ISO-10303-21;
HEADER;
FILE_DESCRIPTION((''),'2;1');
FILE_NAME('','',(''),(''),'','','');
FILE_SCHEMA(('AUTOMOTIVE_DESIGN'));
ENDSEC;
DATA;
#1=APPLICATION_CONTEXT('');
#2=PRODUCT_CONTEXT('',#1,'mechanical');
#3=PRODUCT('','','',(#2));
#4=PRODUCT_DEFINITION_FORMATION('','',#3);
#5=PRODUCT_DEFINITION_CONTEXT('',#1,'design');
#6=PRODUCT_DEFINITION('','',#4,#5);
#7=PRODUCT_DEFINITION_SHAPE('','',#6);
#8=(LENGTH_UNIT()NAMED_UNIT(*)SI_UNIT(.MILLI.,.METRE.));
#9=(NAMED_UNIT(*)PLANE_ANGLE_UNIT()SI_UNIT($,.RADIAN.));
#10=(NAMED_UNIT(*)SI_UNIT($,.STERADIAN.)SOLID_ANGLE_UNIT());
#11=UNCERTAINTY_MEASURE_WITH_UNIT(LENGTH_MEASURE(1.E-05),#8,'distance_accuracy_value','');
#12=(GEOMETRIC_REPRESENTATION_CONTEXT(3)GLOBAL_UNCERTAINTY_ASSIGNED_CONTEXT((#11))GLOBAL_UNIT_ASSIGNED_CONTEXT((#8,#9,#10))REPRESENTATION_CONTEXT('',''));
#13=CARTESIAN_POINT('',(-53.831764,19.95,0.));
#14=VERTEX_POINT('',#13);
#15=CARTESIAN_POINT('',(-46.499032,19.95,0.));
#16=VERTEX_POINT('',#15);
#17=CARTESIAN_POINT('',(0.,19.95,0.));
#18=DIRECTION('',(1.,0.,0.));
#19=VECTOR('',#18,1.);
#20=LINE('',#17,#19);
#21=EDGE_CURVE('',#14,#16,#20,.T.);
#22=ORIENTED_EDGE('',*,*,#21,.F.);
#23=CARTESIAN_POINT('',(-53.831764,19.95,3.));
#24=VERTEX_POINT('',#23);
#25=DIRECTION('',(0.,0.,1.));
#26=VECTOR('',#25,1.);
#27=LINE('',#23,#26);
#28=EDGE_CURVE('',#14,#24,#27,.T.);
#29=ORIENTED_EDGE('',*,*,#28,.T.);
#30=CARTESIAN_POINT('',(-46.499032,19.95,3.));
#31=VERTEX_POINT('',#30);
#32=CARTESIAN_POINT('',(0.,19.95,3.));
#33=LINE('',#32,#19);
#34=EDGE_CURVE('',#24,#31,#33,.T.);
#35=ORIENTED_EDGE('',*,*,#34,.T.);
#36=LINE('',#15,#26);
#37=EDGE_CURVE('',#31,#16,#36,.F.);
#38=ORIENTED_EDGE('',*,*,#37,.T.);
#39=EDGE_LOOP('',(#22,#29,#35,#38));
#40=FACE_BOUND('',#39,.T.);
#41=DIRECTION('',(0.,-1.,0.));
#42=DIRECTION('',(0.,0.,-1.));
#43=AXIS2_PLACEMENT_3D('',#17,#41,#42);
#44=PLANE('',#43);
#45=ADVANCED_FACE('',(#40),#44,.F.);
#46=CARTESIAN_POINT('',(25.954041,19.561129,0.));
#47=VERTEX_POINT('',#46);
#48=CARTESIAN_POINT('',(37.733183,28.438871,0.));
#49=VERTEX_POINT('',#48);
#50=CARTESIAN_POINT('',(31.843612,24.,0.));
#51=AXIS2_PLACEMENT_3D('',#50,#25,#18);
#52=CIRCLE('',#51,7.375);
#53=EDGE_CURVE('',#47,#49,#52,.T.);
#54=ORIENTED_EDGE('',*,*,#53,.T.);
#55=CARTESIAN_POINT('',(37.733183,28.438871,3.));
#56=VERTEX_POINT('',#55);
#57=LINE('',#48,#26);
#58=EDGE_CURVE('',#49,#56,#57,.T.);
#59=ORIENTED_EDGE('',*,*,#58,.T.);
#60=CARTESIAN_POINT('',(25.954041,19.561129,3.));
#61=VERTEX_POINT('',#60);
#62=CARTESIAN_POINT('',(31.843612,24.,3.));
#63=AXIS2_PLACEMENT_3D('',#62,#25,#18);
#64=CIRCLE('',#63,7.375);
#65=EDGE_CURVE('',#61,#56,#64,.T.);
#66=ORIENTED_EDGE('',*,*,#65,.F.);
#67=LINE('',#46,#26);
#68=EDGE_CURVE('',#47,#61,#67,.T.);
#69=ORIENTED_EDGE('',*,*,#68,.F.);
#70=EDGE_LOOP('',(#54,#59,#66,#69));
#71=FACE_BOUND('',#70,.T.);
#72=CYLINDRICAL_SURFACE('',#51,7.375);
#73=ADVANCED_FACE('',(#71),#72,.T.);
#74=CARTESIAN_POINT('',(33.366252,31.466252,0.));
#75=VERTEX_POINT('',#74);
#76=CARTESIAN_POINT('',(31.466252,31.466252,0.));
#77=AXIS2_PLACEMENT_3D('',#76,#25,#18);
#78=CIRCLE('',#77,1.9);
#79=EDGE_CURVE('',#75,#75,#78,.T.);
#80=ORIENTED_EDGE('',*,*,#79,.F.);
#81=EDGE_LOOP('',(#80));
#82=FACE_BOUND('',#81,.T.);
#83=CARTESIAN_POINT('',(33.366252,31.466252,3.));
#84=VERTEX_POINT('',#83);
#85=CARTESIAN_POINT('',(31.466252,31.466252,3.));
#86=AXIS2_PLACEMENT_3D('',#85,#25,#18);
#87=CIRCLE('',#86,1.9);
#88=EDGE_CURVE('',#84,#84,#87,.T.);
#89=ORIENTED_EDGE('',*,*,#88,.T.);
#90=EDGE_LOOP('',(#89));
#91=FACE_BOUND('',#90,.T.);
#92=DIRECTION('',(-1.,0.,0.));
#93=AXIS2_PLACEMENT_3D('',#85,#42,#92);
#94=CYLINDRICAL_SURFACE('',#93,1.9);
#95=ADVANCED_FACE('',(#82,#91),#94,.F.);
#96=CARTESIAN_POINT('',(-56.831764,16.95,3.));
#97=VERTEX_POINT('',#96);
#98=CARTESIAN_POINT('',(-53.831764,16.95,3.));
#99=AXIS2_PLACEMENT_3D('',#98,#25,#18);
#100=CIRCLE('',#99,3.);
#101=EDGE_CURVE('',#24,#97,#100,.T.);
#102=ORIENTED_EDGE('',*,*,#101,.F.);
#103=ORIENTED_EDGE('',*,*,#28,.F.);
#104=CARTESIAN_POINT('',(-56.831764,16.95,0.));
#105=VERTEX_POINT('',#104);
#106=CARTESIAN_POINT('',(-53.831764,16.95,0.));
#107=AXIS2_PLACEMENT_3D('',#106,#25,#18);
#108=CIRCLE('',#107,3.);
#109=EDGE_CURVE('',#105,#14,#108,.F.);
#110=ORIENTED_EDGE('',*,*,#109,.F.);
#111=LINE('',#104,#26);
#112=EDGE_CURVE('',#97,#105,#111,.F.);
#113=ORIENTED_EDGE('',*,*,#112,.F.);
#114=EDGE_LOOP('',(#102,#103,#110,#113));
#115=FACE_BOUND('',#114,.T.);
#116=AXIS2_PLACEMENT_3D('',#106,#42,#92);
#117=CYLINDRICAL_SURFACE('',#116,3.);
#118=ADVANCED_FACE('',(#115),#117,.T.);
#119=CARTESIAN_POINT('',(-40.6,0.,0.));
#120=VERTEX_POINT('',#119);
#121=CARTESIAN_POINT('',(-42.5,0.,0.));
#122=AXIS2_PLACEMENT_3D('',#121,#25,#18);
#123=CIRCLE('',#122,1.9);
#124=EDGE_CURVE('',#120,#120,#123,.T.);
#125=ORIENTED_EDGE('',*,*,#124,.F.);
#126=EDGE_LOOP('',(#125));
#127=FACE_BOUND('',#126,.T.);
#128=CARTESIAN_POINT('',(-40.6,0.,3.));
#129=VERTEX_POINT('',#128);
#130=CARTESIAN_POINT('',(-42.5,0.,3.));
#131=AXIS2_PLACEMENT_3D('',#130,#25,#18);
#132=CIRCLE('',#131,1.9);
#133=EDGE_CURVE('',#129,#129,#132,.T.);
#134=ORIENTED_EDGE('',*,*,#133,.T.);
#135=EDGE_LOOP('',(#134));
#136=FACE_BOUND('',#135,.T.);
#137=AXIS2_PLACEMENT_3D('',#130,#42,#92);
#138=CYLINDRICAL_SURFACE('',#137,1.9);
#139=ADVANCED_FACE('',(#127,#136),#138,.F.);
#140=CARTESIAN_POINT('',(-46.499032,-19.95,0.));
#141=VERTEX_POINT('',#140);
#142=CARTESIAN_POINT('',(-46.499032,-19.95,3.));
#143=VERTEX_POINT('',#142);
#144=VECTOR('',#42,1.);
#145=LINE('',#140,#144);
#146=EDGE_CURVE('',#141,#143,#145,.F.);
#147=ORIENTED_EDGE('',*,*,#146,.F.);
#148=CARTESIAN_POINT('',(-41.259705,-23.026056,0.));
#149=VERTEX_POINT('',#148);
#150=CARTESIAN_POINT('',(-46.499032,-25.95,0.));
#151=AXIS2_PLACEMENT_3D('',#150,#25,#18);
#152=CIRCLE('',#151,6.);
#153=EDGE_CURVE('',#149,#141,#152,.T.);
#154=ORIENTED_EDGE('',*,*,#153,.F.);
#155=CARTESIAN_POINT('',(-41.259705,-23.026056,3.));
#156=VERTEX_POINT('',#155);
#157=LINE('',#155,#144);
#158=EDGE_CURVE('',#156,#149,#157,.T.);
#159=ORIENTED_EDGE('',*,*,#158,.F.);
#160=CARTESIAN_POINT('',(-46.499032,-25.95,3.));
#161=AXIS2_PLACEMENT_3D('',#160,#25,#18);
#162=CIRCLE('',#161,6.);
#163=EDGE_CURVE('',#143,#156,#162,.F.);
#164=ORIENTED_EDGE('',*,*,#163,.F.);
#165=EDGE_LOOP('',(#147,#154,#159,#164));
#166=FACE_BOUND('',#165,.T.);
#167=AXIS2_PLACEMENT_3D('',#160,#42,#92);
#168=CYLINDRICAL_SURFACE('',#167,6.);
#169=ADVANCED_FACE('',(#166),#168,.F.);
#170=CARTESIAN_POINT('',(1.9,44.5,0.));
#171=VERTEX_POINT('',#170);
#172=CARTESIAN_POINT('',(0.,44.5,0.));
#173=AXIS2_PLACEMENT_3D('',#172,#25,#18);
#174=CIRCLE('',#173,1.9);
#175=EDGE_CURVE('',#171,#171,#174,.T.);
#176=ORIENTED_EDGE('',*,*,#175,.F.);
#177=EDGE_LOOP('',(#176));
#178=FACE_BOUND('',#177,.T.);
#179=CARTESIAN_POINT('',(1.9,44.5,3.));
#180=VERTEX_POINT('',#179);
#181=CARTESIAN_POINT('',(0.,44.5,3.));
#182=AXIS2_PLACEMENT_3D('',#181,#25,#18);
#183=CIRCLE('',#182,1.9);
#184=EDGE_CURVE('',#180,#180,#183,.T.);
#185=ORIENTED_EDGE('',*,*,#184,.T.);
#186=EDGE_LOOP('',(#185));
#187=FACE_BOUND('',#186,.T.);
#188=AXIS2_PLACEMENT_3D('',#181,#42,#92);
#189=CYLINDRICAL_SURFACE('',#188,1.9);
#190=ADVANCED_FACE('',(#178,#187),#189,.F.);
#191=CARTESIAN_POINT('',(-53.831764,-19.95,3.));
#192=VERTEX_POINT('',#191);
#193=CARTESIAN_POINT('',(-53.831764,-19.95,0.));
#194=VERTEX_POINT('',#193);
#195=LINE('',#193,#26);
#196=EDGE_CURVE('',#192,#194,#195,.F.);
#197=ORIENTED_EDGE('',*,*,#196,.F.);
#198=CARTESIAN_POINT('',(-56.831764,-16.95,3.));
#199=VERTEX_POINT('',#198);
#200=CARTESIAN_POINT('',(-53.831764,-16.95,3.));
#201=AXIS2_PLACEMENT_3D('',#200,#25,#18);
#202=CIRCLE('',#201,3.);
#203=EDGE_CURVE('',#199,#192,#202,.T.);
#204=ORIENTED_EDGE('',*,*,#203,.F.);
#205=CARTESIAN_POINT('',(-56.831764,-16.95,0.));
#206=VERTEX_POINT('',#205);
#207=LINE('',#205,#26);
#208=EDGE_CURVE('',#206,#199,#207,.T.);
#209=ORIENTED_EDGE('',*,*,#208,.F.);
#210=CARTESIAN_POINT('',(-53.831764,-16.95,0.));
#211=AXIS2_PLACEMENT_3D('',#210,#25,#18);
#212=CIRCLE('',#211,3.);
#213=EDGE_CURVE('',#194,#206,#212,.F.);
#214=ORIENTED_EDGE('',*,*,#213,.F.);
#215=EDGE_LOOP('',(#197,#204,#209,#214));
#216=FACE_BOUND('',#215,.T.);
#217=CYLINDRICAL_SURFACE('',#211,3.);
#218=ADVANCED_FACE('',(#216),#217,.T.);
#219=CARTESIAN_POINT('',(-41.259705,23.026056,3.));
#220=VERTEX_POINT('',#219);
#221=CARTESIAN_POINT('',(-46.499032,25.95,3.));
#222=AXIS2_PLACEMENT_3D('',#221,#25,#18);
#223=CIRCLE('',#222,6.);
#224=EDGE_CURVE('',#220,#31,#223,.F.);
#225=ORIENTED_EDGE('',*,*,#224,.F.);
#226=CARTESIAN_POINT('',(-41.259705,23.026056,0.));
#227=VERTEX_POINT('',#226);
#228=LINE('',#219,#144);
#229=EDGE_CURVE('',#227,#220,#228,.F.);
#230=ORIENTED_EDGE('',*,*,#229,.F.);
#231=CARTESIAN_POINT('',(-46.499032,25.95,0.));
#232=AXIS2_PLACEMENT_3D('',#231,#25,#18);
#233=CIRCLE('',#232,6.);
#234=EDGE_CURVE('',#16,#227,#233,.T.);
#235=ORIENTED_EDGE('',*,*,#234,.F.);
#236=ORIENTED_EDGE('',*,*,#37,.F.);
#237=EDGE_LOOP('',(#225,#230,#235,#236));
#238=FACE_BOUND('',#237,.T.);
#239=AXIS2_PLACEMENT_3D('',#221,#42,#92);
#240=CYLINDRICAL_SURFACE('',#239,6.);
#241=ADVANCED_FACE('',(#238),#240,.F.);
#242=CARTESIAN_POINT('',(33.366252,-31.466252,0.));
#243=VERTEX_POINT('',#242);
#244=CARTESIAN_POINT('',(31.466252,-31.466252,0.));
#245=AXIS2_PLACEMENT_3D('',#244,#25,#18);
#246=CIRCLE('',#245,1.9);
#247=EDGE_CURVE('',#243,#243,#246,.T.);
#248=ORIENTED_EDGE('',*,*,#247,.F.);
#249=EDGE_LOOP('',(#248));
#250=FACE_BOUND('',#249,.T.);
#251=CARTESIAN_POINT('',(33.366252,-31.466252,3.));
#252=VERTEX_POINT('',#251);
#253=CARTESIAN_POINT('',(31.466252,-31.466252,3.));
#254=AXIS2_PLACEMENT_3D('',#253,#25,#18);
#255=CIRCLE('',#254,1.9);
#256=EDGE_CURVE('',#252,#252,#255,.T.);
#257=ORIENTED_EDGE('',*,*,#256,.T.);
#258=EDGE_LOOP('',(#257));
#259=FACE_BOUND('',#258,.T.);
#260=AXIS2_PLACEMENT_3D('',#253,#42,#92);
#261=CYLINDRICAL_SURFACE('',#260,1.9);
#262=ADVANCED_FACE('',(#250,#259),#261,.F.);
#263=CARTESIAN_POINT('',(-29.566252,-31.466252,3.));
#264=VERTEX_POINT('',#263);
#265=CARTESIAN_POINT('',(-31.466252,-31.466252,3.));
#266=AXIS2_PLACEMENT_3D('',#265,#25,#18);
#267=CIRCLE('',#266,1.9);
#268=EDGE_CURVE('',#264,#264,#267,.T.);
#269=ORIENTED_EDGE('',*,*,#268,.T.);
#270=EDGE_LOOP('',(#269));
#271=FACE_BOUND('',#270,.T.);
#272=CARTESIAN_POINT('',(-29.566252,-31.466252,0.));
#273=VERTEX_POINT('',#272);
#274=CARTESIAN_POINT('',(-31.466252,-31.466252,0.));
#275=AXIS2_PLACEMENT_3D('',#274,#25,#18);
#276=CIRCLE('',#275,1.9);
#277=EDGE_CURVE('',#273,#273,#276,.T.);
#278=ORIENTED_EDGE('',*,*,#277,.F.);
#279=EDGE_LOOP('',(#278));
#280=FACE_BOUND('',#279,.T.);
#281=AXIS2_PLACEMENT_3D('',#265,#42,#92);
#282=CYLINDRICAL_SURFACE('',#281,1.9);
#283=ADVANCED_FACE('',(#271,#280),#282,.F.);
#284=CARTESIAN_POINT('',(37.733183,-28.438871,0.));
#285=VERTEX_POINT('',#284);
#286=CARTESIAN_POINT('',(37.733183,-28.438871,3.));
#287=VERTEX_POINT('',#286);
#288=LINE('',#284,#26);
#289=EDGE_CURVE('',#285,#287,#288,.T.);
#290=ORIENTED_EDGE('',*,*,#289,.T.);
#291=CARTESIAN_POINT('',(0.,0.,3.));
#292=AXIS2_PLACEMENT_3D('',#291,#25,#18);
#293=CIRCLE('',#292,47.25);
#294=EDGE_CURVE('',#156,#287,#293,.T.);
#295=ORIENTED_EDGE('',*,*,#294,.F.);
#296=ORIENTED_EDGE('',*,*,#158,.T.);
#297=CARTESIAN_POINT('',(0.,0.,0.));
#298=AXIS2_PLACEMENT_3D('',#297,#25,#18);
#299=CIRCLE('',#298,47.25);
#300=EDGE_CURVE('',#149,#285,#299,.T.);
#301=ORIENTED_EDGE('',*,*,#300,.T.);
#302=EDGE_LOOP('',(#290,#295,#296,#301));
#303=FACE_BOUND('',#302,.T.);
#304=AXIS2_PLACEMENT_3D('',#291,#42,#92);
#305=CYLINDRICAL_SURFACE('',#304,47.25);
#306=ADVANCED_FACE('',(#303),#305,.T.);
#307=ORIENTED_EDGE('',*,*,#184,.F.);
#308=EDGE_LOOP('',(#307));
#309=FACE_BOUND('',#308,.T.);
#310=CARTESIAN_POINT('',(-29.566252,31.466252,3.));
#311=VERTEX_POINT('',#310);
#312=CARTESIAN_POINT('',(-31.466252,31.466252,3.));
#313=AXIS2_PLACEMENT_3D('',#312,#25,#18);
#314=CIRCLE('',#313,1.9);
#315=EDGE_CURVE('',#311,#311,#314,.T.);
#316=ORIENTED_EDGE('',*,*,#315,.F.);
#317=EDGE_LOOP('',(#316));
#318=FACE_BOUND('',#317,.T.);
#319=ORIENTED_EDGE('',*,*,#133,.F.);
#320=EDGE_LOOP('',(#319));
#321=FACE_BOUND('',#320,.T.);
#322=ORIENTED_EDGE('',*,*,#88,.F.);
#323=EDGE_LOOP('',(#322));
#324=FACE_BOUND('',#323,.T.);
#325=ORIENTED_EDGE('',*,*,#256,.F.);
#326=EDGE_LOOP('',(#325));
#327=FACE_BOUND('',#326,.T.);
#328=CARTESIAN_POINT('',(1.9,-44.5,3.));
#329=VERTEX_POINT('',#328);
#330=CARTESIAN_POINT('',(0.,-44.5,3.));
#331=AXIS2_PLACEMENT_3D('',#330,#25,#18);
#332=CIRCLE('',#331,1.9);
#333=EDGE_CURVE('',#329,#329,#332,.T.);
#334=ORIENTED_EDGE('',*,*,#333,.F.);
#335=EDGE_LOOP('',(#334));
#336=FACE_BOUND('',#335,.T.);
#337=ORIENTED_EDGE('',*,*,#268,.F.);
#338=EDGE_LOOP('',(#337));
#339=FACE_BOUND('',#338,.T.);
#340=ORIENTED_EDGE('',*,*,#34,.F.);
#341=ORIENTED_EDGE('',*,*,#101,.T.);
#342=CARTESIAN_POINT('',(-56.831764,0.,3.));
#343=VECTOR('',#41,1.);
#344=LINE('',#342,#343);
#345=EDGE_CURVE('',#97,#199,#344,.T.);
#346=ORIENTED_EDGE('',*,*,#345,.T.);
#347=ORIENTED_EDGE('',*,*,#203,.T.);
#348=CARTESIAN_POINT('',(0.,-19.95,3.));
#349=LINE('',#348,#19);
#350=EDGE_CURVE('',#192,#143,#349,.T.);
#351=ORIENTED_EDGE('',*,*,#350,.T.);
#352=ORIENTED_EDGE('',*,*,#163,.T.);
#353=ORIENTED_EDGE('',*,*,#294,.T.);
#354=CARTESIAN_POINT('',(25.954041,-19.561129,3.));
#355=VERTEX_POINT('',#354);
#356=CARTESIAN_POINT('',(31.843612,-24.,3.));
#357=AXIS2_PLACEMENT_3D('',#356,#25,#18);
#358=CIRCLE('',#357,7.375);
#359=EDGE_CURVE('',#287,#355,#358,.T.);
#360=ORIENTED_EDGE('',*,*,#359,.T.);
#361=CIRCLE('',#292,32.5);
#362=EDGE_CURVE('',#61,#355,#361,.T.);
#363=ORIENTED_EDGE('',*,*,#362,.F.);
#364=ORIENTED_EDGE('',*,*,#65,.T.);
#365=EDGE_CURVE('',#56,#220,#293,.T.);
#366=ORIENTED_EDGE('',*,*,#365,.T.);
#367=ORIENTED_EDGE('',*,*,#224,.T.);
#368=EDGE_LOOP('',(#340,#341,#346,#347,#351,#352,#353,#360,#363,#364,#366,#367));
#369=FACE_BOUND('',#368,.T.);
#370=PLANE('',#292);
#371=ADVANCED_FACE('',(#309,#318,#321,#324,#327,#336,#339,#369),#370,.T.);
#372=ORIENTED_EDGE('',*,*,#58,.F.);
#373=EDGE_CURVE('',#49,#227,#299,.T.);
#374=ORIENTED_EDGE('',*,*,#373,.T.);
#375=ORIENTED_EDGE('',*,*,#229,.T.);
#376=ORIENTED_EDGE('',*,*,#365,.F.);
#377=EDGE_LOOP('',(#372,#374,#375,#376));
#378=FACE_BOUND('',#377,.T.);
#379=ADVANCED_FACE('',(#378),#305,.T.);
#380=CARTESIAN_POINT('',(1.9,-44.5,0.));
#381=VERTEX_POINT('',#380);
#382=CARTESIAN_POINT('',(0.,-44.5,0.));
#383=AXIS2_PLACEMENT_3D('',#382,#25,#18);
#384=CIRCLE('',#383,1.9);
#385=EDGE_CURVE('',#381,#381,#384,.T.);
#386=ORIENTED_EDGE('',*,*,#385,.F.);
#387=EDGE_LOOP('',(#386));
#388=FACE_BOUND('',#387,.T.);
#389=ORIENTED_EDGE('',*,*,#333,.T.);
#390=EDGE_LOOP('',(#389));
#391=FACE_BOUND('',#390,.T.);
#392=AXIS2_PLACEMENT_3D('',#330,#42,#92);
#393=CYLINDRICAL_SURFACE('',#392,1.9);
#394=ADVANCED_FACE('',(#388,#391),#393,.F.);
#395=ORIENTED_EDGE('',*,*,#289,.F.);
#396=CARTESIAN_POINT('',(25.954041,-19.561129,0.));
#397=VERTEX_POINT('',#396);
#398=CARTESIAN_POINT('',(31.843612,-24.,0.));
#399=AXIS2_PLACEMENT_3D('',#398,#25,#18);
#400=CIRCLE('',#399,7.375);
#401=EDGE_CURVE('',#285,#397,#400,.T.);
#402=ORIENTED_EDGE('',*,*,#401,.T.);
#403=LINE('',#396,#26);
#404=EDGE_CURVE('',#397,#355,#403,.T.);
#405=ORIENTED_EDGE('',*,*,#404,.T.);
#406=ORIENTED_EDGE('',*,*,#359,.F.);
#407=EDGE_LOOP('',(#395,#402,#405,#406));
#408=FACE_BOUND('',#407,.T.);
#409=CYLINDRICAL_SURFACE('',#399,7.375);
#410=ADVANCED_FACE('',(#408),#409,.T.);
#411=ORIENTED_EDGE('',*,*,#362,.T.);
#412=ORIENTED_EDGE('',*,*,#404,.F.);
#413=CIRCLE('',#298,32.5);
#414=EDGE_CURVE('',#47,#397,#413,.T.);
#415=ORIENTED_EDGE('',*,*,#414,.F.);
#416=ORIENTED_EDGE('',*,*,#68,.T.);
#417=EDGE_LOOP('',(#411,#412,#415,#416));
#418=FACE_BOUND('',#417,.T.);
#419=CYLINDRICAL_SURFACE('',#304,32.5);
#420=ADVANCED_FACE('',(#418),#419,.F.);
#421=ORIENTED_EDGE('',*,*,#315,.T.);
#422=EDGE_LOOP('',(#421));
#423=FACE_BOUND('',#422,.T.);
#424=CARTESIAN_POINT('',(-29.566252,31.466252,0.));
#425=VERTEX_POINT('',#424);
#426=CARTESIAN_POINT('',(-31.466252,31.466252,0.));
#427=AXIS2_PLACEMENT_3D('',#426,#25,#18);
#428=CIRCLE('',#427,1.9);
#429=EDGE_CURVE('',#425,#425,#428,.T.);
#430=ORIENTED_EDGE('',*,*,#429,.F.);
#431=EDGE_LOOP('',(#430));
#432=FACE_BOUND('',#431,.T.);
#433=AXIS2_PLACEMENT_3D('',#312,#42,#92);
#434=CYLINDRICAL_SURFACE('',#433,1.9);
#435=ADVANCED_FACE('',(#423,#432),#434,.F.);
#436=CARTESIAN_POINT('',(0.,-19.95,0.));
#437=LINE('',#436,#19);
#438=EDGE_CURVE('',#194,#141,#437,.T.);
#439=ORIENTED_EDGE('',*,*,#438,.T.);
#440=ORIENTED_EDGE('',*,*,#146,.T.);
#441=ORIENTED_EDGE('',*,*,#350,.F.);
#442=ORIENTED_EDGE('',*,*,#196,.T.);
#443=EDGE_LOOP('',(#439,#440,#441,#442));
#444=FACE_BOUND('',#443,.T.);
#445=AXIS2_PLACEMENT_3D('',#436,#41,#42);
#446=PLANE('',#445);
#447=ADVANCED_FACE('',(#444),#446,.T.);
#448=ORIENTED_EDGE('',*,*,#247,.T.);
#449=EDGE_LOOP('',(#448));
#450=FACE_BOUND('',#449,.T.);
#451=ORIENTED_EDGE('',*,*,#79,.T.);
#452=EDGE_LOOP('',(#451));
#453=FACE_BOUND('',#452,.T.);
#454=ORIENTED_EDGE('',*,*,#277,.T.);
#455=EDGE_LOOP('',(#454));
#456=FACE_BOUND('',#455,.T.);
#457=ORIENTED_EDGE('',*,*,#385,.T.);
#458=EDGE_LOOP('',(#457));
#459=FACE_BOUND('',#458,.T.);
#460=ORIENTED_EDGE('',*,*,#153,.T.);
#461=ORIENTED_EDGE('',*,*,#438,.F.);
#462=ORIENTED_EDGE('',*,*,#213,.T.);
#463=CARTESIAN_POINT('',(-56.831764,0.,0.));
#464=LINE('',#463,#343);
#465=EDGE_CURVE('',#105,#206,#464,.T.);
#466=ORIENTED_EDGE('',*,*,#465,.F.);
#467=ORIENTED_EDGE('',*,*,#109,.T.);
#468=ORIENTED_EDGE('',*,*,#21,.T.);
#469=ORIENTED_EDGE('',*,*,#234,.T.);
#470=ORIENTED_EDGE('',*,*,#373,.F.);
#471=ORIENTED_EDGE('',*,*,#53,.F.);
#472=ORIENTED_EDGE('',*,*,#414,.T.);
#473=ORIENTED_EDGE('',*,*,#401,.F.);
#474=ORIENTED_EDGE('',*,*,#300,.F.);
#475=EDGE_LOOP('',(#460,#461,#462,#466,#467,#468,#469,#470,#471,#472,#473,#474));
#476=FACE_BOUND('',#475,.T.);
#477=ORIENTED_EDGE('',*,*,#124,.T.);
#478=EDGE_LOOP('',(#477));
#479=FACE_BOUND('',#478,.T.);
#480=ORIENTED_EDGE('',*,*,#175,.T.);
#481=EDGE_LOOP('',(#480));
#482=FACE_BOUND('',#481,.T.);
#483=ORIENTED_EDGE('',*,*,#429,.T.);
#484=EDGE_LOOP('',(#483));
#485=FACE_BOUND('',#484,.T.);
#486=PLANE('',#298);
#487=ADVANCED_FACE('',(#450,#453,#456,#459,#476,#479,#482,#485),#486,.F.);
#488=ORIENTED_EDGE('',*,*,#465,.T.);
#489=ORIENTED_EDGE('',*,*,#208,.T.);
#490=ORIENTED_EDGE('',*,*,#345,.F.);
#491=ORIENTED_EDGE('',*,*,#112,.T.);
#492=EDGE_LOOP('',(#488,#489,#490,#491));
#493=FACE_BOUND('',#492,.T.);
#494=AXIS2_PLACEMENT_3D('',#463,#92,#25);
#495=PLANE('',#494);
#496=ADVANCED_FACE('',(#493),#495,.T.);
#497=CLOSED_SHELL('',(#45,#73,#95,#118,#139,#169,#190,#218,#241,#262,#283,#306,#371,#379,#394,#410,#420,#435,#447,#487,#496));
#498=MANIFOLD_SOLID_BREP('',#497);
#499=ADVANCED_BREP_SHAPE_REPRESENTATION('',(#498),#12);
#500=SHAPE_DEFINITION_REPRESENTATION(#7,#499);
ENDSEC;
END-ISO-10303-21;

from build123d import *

# Parameters (mm, degrees)
SKETCH_1_R          = 47.25
SKETCH_1_R_2        = 1.9
SKETCH_1_R_3        = 32.5
EXTRUDE_1_DEPTH     = 3
CUT_EXTRUDE_START   = -3
CUT_EXTRUDE_1_DEPTH = 3
EXTRUDE_2_DEPTH     = 3
FILLET_1_R          = 3
FILLET_2_R          = 6


with BuildPart() as part:
    # 草图1 → 凸台-拉伸1 (new body)
    with BuildSketch(Plane.XY):
        Circle(SKETCH_1_R)
        with Locations((-31.466251763, -31.466251763)):
            Circle(SKETCH_1_R_2, mode=Mode.SUBTRACT)
        with Locations((-42.5, 0)):
            Circle(SKETCH_1_R_2, mode=Mode.SUBTRACT)
        Circle(SKETCH_1_R_3, mode=Mode.SUBTRACT)
        with Locations((0, -44.5)):
            Circle(SKETCH_1_R_2, mode=Mode.SUBTRACT)
        with Locations((31.466251763, -31.466251763)):
            Circle(SKETCH_1_R_2, mode=Mode.SUBTRACT)
        with Locations((-31.466251763, 31.466251763)):
            Circle(SKETCH_1_R_2, mode=Mode.SUBTRACT)
        with Locations((0, 44.5)):
            Circle(SKETCH_1_R_2, mode=Mode.SUBTRACT)
        with Locations((42.5, 0)):
            Circle(SKETCH_1_R_2, mode=Mode.SUBTRACT)
        with Locations((31.466251763, 31.466251763)):
            Circle(SKETCH_1_R_2, mode=Mode.SUBTRACT)
    extrude(amount=EXTRUDE_1_DEPTH)

    # 草图2 → 切除-拉伸1 (cut)
    with BuildSketch(Plane.XY.offset(3).offset(CUT_EXTRUDE_START)):
        with BuildLine():
            ThreePointArc((40.6, 0), (42.5, 1.9), (44.4, 0))
            Line((44.4, 0), (47.25, 0))
            ThreePointArc((47.25, 0), (44.807674543, 14.994492391), (37.733182981, 28.438871323))
            ThreePointArc((37.733182981, 28.438871323), (38.837402493, 26.340410113), (39.218611997, 24))
            ThreePointArc((39.218611997, 24), (34.184022114, 17.006209505), (25.954041018, 19.561128669))
            ThreePointArc((25.954041018, 19.561128669), (30.820093552, 10.313672161), (32.5, 0))
            Line((32.5, 0), (40.6, 0))
        make_face()
        with BuildLine():
            Line((47.25, 0), (44.4, 0))
            ThreePointArc((44.4, 0), (42.5, -1.9), (40.6, 0))
            Line((40.6, 0), (32.5, 0))
            ThreePointArc((32.5, 0), (30.820093563, -10.313672127), (25.954041062, -19.561128611))
            ThreePointArc((25.954041062, -19.561128611), (34.184022149, -17.006209517), (39.218611997, -24))
            ThreePointArc((39.218611997, -24), (38.837402455, -26.340410225), (37.733182838, -28.438871512))
            ThreePointArc((37.733182838, -28.438871512), (44.807674505, -14.994492504), (47.25, 0))
        make_face()
    extrude(amount=CUT_EXTRUDE_1_DEPTH, mode=Mode.SUBTRACT)


with BuildPart() as cut_extrude_1_kept_piece:
    # of the separate pieces the step leaves, the one the design keeps (cut_extrude_1_pieces_kept)
    add(part.part.solids().sort_by_distance((-29.566251763, -31.466251763, 3))[0])

    # 草图3 → 凸台-拉伸2 (add)
    with BuildSketch(Plane.XY.offset(3)):
        with BuildLine():
            Line((-42.831763914, 19.95), (-56.831763914, 19.95))
            Line((-56.831763914, 19.95), (-56.831763914, 0))
            Line((-56.831763914, 0), (-47.25, 0))
            ThreePointArc((-47.25, 0), (-46.132219462, 10.216693571), (-42.831763914, 19.95))
        make_face()
        with BuildLine():
            Line((-47.25, 0), (-56.831763914, 0))
            Line((-56.831763914, 0), (-56.831763914, -19.95))
            Line((-56.831763914, -19.95), (-42.831763914, -19.95))
            ThreePointArc((-42.831763914, -19.95), (-46.132219462, -10.216693571), (-47.25, 0))
        make_face()
    extrude(amount=-EXTRUDE_2_DEPTH)

    # 圆角1
    fillet_1_edges = [cut_extrude_1_kept_piece.edges().sort_by_distance(p)[0] for p in [
        (-56.831763914, -19.95, 1.5),
        (-56.831763914, 19.95, 1.5),
    ]]
    fillet(fillet_1_edges, radius=FILLET_1_R)

    # 圆角2
    fillet_2_edges = [cut_extrude_1_kept_piece.edges().sort_by_distance(p)[0] for p in [
        (-42.831763914, 19.95, 1.5),
        (-42.831763914, -19.95, 1.5),
    ]]
    fillet(fillet_2_edges, radius=FILLET_2_R)


solid = cut_extrude_1_kept_piece.part
